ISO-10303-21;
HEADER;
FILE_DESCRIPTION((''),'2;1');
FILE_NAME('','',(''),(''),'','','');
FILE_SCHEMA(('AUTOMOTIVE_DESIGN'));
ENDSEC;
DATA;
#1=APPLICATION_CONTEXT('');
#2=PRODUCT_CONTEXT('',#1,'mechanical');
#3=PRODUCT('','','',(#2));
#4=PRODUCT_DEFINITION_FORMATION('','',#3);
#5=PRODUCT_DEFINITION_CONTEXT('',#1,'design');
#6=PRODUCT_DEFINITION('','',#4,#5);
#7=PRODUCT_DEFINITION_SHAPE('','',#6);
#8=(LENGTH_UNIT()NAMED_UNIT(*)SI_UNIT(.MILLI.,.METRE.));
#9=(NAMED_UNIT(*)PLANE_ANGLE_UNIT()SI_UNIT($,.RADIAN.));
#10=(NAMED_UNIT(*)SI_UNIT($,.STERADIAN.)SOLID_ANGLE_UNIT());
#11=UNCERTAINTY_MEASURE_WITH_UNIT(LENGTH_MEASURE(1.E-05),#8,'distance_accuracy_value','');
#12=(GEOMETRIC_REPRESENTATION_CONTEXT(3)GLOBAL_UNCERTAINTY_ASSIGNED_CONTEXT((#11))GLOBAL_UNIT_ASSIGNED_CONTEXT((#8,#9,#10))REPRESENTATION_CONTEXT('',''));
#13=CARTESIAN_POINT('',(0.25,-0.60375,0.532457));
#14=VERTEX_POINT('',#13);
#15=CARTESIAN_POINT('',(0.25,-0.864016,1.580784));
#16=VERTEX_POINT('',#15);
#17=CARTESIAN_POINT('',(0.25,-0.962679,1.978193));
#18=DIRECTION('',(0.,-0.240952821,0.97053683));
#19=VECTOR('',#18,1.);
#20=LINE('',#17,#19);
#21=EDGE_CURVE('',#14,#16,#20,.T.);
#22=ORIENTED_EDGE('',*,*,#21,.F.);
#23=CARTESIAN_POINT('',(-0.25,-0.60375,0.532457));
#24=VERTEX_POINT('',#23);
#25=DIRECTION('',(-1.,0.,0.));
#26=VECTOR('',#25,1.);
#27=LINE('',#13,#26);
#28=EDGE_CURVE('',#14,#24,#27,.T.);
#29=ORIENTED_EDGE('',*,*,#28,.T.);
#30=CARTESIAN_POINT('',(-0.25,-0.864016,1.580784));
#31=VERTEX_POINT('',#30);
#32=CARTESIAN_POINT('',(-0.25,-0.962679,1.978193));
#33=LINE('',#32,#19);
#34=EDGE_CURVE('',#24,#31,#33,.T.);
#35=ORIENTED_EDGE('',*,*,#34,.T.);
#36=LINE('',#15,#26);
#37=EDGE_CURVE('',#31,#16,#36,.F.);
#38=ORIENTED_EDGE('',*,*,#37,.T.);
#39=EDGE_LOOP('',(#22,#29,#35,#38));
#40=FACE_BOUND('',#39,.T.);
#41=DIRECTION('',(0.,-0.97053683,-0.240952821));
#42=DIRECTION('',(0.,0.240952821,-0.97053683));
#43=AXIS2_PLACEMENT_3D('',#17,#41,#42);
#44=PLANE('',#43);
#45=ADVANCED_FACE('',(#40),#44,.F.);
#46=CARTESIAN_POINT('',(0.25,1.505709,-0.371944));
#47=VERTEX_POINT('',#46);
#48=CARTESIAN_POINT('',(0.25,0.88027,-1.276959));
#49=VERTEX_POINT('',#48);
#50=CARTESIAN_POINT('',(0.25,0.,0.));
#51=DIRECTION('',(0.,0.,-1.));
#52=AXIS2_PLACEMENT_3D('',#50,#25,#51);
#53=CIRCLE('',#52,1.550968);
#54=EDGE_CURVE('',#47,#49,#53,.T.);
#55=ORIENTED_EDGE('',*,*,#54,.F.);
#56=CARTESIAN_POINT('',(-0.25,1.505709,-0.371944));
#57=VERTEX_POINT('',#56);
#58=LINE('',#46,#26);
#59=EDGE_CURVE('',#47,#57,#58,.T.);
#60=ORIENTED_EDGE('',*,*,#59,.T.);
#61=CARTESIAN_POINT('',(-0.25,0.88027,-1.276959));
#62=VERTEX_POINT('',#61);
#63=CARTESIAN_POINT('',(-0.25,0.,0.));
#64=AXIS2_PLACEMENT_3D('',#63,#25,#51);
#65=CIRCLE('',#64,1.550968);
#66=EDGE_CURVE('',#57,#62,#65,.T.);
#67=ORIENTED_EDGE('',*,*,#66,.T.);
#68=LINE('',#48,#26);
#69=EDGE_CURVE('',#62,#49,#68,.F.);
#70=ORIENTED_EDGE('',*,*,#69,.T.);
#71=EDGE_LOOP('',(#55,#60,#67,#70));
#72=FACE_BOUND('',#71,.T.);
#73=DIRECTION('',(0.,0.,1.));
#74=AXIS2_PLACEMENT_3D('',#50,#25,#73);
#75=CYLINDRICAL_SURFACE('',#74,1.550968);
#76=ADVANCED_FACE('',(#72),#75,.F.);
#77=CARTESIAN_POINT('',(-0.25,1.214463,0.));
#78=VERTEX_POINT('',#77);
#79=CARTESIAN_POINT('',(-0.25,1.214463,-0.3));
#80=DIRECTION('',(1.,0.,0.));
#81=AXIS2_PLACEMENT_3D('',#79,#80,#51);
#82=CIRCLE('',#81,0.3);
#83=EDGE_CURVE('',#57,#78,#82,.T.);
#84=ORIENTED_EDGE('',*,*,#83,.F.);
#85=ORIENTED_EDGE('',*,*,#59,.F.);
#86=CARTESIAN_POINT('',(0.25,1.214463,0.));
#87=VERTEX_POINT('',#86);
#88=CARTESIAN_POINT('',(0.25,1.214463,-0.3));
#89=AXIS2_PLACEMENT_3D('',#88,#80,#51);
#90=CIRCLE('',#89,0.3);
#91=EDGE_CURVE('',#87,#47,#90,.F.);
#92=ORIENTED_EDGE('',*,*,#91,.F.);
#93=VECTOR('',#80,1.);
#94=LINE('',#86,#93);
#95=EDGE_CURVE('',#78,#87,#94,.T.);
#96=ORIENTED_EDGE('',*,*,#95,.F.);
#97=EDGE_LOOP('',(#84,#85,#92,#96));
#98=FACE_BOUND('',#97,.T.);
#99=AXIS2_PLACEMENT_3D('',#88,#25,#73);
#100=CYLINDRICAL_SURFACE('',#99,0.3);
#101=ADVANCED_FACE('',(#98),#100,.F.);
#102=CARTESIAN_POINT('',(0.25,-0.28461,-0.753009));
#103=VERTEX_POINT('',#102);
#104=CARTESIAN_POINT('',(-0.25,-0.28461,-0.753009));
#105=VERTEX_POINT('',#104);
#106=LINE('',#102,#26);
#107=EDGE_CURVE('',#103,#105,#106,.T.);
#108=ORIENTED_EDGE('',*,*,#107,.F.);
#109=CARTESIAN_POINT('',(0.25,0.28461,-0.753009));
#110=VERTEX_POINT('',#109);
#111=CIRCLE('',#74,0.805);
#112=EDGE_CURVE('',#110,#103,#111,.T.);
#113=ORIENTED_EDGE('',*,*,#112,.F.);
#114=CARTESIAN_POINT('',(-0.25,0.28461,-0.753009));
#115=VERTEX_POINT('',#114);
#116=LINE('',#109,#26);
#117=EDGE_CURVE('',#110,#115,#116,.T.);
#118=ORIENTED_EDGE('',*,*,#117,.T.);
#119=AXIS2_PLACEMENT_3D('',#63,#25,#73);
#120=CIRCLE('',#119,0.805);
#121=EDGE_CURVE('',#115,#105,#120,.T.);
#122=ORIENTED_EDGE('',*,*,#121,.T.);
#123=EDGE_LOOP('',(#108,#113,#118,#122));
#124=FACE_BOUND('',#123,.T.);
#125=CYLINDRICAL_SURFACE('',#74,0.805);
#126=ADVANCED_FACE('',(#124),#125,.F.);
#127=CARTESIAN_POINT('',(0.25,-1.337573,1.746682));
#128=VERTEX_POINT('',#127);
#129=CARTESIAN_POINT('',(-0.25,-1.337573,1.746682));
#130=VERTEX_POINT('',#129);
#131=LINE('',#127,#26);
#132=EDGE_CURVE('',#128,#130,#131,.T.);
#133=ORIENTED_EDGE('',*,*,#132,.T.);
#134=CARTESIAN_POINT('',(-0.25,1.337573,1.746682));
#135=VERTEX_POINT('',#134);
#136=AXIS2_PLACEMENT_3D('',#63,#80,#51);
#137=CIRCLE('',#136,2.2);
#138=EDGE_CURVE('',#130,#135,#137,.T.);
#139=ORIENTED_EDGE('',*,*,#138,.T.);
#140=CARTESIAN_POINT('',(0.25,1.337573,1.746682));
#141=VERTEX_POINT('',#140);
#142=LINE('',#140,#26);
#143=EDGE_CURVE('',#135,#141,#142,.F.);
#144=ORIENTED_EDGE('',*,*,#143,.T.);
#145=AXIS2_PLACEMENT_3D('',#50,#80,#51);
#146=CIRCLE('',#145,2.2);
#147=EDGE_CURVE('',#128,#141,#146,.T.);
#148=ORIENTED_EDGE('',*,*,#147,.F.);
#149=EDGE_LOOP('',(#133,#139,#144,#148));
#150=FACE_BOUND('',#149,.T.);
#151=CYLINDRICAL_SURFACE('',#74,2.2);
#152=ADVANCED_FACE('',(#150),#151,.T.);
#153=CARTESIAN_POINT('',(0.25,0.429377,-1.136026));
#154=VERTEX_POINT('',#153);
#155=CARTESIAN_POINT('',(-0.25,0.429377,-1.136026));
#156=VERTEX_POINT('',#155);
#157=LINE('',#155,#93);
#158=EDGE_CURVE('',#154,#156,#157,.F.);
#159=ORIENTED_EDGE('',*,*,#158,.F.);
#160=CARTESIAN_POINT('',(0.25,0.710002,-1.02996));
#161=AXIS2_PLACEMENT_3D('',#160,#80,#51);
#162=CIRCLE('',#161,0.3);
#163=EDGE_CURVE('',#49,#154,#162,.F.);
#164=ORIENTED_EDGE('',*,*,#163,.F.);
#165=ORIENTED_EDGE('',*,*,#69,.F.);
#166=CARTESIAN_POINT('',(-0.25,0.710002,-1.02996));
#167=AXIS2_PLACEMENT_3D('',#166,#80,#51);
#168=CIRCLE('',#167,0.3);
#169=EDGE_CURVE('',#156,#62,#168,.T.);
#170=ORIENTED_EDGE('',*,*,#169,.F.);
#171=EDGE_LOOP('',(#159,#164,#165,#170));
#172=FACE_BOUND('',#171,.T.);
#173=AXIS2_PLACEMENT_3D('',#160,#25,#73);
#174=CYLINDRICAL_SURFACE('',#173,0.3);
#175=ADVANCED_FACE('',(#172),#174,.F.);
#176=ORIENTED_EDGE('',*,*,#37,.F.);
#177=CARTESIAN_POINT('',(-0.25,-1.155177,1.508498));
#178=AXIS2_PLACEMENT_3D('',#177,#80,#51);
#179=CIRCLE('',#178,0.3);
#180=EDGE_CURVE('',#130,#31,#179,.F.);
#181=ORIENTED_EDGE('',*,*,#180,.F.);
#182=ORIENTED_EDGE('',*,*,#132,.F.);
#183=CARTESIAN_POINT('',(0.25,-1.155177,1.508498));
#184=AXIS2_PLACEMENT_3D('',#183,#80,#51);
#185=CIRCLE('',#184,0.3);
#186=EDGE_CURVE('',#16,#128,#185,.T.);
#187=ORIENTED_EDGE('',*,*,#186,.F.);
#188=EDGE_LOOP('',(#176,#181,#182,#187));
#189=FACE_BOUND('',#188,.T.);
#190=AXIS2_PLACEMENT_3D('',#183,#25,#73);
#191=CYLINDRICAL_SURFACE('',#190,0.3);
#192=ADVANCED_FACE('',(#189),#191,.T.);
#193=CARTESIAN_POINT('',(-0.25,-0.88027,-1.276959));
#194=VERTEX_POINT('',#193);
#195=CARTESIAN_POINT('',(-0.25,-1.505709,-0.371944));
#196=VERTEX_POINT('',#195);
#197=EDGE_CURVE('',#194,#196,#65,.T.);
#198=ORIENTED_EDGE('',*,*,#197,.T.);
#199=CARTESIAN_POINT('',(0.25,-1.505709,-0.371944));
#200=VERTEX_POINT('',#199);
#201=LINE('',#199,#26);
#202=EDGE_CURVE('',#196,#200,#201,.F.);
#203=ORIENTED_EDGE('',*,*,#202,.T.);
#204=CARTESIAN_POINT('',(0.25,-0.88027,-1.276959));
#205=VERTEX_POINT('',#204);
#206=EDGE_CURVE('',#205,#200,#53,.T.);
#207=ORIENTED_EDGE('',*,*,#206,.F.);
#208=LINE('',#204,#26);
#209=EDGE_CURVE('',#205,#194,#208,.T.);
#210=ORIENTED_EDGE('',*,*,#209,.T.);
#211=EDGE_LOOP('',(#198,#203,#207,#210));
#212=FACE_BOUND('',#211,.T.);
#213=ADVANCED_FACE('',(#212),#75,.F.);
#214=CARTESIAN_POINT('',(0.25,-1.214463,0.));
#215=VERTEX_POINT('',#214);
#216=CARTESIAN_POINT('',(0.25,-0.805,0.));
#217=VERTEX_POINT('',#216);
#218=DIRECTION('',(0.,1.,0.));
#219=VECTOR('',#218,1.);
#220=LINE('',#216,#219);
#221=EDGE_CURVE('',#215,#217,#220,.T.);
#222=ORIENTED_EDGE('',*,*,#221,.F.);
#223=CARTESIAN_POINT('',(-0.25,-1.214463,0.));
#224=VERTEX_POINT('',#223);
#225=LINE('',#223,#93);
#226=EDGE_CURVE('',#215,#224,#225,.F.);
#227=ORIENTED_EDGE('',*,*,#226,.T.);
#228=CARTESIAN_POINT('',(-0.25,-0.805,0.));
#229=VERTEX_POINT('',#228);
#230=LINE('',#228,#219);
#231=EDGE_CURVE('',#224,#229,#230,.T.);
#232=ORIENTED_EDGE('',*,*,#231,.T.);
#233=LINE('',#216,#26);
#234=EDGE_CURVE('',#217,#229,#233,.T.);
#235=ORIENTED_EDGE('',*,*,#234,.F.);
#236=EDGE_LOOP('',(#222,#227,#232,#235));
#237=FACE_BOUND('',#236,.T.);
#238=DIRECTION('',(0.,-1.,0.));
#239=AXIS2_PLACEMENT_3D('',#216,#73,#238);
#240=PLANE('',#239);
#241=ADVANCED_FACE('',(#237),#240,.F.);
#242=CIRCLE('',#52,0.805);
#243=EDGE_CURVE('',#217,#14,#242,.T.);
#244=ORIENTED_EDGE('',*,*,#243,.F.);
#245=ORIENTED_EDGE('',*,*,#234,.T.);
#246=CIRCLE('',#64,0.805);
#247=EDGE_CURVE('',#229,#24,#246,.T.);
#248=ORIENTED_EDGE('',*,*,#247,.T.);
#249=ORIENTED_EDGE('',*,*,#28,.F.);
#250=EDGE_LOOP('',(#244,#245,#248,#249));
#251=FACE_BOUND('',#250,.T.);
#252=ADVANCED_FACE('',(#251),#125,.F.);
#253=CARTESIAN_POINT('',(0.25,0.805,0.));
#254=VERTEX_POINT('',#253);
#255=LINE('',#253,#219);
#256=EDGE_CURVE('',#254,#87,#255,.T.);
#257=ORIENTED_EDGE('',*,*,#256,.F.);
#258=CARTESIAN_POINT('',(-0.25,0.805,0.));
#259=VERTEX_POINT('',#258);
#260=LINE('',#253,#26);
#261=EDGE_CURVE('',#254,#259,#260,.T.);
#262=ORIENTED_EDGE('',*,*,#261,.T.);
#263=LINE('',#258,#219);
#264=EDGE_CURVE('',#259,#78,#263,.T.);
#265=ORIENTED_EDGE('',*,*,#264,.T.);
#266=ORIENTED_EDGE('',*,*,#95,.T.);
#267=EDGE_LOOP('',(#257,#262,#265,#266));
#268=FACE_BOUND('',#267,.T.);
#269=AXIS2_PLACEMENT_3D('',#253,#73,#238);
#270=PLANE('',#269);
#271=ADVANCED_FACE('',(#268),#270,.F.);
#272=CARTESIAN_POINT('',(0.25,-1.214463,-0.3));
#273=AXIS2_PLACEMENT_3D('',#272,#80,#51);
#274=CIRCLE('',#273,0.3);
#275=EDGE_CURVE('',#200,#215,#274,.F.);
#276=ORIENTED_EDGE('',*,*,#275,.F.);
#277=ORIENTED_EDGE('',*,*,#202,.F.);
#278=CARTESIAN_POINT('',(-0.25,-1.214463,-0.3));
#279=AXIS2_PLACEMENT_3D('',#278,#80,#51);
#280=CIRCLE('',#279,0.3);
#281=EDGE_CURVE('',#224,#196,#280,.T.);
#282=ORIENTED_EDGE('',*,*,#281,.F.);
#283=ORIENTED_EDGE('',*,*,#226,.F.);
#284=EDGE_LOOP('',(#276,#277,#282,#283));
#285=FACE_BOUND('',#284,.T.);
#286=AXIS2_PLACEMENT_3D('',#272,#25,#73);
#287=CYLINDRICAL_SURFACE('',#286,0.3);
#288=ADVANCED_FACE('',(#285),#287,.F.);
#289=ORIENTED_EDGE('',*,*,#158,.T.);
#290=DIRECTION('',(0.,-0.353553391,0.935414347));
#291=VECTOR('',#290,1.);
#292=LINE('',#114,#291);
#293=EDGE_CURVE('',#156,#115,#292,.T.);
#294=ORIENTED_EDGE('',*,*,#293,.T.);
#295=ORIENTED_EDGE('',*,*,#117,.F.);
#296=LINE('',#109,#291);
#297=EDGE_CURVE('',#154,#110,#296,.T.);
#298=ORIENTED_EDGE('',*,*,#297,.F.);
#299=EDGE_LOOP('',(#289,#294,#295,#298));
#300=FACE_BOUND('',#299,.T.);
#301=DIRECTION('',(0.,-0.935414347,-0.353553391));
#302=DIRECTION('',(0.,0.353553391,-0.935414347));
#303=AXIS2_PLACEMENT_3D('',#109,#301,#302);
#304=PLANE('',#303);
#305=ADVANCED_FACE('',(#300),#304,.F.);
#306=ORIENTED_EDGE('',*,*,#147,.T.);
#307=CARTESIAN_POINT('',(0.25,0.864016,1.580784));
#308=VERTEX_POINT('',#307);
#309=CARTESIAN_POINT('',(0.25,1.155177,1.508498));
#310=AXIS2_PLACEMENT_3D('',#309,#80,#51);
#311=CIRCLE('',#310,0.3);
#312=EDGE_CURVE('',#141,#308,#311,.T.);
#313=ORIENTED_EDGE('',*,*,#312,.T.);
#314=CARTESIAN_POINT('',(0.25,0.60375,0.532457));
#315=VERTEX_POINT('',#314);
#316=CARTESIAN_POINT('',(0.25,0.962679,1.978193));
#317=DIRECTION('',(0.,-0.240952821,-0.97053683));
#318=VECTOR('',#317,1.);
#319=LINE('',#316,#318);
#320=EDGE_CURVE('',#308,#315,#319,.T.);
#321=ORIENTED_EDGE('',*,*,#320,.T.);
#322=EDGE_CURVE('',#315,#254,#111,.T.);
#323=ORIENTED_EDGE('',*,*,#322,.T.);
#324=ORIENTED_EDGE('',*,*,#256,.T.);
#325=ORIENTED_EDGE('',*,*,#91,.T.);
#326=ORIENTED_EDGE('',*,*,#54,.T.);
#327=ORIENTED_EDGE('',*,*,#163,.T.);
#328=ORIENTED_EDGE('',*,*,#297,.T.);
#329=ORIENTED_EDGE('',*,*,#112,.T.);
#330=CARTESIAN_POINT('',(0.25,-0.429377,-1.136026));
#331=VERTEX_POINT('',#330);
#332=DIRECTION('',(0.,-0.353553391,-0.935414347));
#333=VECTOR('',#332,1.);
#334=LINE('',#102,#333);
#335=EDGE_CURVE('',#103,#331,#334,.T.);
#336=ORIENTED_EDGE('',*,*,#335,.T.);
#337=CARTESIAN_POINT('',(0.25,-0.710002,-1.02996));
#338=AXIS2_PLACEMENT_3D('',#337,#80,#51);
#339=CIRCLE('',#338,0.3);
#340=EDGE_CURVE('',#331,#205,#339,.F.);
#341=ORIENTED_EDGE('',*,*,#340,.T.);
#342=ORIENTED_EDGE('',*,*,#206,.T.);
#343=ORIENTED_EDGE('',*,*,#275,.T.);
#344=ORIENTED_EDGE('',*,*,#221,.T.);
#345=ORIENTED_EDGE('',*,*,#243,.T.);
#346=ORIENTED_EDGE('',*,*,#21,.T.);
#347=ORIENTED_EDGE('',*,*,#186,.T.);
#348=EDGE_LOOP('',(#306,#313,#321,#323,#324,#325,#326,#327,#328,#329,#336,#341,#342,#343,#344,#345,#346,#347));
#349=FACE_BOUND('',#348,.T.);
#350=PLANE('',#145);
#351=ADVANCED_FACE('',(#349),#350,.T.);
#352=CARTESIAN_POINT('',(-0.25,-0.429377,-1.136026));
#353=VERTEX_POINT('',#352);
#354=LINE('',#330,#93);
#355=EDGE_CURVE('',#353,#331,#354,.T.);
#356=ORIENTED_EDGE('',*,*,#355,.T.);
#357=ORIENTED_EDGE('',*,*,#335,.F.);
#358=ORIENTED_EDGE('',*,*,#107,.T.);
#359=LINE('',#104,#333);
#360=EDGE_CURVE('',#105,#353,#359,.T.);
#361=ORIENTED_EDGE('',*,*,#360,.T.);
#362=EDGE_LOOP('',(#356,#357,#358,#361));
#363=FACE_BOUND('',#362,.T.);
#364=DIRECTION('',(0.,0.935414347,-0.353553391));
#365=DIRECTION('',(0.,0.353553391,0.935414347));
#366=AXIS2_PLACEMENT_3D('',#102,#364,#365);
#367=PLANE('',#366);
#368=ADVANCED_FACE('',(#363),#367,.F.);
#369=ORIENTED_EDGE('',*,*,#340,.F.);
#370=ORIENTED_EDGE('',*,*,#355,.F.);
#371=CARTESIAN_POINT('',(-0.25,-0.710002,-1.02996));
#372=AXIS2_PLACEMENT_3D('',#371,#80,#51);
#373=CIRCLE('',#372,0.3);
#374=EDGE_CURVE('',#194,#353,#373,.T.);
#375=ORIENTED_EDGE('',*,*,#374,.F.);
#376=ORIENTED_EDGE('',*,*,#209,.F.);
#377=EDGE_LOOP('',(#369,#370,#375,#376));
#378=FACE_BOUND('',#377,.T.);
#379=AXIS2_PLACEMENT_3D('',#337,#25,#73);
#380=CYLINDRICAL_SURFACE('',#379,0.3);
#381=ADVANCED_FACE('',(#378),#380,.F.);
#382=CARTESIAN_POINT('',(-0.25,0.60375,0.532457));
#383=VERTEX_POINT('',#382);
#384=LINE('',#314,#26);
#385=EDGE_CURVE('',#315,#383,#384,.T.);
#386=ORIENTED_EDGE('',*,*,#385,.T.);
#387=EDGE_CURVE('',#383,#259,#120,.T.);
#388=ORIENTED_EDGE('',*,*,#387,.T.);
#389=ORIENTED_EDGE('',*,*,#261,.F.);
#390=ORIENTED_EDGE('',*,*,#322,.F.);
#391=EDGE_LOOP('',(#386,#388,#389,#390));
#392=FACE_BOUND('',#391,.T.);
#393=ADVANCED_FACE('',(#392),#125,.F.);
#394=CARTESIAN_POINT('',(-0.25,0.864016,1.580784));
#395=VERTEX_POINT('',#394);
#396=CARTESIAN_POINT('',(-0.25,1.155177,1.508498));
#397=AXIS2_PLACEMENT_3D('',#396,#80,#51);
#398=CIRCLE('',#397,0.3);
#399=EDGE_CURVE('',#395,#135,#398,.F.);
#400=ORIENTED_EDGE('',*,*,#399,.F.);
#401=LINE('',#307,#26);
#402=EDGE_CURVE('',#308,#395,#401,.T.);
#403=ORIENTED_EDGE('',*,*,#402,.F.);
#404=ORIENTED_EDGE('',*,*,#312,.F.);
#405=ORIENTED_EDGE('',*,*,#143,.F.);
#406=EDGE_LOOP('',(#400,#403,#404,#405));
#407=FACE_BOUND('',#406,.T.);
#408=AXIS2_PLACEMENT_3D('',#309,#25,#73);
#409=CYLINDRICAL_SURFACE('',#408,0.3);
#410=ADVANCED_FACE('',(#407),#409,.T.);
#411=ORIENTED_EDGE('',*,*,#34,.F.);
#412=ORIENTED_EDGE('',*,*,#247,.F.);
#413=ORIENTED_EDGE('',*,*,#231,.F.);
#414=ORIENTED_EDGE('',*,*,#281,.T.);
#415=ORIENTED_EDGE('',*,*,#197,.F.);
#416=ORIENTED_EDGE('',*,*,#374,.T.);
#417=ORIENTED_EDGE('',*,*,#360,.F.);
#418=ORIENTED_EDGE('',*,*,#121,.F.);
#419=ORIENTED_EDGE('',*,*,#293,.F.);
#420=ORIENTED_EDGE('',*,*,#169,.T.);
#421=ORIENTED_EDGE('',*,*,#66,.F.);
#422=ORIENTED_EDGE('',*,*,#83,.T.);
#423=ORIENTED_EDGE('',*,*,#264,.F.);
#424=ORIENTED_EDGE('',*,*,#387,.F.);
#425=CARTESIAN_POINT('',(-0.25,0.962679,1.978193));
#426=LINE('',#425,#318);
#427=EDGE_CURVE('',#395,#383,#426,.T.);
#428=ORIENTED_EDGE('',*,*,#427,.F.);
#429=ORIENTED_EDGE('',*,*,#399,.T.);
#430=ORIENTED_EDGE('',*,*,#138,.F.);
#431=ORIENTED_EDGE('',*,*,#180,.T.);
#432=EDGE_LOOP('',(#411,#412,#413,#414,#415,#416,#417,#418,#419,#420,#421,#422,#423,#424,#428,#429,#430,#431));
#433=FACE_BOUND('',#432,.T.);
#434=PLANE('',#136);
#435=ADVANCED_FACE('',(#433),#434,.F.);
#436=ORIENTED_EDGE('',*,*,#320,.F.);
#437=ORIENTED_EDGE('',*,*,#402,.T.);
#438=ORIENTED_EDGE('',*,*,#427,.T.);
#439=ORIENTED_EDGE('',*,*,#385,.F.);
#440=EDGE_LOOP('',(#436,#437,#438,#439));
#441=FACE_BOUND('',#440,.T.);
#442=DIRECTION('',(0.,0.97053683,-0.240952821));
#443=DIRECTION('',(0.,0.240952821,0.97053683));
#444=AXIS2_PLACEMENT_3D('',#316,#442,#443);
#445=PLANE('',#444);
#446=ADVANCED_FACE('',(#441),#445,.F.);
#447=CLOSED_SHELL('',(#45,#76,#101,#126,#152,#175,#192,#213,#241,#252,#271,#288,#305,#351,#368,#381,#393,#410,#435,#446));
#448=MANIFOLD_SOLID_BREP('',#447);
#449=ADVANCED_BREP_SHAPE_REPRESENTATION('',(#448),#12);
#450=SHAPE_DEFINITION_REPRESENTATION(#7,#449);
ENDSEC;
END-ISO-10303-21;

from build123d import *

# Parameters (mm, degrees)
EXTRUDE1_DEPTH = 0.25
FILLET1_R      = 0.3


with BuildPart() as part:
    # Sketch1 → Extrude1 (new body, symmetric)
    with BuildSketch(Plane(origin=(0, 0, 0), x_dir=(0, 0, -1), z_dir=(1, 0, 0))):
        with BuildLine():
            Line((-1.978193251, -0.962679314), (-0.532457451, -0.60375))
            ThreePointArc((-0.532457451, -0.60375), (-0.284610479, -0.753008549), (0, -0.805))
            Line((0, -0.805), (0, -1.550967742))
            ThreePointArc((0, -1.550967742), (0.881767522, -1.275925928), (1.450797477, -0.548349904))
            Line((1.450797477, -0.548349904), (0.753008549, -0.284610479))
            ThreePointArc((0.753008549, -0.284610479), (0.805, 0), (0.753008549, 0.284610479))
            Line((0.753008549, 0.284610479), (1.450797477, 0.548349904))
            ThreePointArc((1.450797477, 0.548349904), (0.881767522, 1.275925928), (0, 1.550967742))
            Line((0, 1.550967742), (0, 0.805))
            ThreePointArc((0, 0.805), (-0.284610479, 0.753008549), (-0.532457451, 0.60375))
            Line((-0.532457451, 0.60375), (-1.978193251, 0.962679314))
            ThreePointArc((-1.978193251, 0.962679314), (2.2, 0), (-1.978193251, -0.962679314))
        make_face()
    extrude(amount=EXTRUDE1_DEPTH, both=True)

    # Fillet1
    fillet1_edges = [part.edges().sort_by_distance(p)[0] for p in [
        (0, -0.962679314, 1.978193251),
        (0, -1.550967742, 0),
        (0, -0.548349904, -1.450797477),
        (0, 0.548349904, -1.450797477),
        (0, 1.550967742, 0),
        (0, 0.962679314, 1.978193251),
    ]]
    fillet(fillet1_edges, radius=FILLET1_R)


solid = part.part
